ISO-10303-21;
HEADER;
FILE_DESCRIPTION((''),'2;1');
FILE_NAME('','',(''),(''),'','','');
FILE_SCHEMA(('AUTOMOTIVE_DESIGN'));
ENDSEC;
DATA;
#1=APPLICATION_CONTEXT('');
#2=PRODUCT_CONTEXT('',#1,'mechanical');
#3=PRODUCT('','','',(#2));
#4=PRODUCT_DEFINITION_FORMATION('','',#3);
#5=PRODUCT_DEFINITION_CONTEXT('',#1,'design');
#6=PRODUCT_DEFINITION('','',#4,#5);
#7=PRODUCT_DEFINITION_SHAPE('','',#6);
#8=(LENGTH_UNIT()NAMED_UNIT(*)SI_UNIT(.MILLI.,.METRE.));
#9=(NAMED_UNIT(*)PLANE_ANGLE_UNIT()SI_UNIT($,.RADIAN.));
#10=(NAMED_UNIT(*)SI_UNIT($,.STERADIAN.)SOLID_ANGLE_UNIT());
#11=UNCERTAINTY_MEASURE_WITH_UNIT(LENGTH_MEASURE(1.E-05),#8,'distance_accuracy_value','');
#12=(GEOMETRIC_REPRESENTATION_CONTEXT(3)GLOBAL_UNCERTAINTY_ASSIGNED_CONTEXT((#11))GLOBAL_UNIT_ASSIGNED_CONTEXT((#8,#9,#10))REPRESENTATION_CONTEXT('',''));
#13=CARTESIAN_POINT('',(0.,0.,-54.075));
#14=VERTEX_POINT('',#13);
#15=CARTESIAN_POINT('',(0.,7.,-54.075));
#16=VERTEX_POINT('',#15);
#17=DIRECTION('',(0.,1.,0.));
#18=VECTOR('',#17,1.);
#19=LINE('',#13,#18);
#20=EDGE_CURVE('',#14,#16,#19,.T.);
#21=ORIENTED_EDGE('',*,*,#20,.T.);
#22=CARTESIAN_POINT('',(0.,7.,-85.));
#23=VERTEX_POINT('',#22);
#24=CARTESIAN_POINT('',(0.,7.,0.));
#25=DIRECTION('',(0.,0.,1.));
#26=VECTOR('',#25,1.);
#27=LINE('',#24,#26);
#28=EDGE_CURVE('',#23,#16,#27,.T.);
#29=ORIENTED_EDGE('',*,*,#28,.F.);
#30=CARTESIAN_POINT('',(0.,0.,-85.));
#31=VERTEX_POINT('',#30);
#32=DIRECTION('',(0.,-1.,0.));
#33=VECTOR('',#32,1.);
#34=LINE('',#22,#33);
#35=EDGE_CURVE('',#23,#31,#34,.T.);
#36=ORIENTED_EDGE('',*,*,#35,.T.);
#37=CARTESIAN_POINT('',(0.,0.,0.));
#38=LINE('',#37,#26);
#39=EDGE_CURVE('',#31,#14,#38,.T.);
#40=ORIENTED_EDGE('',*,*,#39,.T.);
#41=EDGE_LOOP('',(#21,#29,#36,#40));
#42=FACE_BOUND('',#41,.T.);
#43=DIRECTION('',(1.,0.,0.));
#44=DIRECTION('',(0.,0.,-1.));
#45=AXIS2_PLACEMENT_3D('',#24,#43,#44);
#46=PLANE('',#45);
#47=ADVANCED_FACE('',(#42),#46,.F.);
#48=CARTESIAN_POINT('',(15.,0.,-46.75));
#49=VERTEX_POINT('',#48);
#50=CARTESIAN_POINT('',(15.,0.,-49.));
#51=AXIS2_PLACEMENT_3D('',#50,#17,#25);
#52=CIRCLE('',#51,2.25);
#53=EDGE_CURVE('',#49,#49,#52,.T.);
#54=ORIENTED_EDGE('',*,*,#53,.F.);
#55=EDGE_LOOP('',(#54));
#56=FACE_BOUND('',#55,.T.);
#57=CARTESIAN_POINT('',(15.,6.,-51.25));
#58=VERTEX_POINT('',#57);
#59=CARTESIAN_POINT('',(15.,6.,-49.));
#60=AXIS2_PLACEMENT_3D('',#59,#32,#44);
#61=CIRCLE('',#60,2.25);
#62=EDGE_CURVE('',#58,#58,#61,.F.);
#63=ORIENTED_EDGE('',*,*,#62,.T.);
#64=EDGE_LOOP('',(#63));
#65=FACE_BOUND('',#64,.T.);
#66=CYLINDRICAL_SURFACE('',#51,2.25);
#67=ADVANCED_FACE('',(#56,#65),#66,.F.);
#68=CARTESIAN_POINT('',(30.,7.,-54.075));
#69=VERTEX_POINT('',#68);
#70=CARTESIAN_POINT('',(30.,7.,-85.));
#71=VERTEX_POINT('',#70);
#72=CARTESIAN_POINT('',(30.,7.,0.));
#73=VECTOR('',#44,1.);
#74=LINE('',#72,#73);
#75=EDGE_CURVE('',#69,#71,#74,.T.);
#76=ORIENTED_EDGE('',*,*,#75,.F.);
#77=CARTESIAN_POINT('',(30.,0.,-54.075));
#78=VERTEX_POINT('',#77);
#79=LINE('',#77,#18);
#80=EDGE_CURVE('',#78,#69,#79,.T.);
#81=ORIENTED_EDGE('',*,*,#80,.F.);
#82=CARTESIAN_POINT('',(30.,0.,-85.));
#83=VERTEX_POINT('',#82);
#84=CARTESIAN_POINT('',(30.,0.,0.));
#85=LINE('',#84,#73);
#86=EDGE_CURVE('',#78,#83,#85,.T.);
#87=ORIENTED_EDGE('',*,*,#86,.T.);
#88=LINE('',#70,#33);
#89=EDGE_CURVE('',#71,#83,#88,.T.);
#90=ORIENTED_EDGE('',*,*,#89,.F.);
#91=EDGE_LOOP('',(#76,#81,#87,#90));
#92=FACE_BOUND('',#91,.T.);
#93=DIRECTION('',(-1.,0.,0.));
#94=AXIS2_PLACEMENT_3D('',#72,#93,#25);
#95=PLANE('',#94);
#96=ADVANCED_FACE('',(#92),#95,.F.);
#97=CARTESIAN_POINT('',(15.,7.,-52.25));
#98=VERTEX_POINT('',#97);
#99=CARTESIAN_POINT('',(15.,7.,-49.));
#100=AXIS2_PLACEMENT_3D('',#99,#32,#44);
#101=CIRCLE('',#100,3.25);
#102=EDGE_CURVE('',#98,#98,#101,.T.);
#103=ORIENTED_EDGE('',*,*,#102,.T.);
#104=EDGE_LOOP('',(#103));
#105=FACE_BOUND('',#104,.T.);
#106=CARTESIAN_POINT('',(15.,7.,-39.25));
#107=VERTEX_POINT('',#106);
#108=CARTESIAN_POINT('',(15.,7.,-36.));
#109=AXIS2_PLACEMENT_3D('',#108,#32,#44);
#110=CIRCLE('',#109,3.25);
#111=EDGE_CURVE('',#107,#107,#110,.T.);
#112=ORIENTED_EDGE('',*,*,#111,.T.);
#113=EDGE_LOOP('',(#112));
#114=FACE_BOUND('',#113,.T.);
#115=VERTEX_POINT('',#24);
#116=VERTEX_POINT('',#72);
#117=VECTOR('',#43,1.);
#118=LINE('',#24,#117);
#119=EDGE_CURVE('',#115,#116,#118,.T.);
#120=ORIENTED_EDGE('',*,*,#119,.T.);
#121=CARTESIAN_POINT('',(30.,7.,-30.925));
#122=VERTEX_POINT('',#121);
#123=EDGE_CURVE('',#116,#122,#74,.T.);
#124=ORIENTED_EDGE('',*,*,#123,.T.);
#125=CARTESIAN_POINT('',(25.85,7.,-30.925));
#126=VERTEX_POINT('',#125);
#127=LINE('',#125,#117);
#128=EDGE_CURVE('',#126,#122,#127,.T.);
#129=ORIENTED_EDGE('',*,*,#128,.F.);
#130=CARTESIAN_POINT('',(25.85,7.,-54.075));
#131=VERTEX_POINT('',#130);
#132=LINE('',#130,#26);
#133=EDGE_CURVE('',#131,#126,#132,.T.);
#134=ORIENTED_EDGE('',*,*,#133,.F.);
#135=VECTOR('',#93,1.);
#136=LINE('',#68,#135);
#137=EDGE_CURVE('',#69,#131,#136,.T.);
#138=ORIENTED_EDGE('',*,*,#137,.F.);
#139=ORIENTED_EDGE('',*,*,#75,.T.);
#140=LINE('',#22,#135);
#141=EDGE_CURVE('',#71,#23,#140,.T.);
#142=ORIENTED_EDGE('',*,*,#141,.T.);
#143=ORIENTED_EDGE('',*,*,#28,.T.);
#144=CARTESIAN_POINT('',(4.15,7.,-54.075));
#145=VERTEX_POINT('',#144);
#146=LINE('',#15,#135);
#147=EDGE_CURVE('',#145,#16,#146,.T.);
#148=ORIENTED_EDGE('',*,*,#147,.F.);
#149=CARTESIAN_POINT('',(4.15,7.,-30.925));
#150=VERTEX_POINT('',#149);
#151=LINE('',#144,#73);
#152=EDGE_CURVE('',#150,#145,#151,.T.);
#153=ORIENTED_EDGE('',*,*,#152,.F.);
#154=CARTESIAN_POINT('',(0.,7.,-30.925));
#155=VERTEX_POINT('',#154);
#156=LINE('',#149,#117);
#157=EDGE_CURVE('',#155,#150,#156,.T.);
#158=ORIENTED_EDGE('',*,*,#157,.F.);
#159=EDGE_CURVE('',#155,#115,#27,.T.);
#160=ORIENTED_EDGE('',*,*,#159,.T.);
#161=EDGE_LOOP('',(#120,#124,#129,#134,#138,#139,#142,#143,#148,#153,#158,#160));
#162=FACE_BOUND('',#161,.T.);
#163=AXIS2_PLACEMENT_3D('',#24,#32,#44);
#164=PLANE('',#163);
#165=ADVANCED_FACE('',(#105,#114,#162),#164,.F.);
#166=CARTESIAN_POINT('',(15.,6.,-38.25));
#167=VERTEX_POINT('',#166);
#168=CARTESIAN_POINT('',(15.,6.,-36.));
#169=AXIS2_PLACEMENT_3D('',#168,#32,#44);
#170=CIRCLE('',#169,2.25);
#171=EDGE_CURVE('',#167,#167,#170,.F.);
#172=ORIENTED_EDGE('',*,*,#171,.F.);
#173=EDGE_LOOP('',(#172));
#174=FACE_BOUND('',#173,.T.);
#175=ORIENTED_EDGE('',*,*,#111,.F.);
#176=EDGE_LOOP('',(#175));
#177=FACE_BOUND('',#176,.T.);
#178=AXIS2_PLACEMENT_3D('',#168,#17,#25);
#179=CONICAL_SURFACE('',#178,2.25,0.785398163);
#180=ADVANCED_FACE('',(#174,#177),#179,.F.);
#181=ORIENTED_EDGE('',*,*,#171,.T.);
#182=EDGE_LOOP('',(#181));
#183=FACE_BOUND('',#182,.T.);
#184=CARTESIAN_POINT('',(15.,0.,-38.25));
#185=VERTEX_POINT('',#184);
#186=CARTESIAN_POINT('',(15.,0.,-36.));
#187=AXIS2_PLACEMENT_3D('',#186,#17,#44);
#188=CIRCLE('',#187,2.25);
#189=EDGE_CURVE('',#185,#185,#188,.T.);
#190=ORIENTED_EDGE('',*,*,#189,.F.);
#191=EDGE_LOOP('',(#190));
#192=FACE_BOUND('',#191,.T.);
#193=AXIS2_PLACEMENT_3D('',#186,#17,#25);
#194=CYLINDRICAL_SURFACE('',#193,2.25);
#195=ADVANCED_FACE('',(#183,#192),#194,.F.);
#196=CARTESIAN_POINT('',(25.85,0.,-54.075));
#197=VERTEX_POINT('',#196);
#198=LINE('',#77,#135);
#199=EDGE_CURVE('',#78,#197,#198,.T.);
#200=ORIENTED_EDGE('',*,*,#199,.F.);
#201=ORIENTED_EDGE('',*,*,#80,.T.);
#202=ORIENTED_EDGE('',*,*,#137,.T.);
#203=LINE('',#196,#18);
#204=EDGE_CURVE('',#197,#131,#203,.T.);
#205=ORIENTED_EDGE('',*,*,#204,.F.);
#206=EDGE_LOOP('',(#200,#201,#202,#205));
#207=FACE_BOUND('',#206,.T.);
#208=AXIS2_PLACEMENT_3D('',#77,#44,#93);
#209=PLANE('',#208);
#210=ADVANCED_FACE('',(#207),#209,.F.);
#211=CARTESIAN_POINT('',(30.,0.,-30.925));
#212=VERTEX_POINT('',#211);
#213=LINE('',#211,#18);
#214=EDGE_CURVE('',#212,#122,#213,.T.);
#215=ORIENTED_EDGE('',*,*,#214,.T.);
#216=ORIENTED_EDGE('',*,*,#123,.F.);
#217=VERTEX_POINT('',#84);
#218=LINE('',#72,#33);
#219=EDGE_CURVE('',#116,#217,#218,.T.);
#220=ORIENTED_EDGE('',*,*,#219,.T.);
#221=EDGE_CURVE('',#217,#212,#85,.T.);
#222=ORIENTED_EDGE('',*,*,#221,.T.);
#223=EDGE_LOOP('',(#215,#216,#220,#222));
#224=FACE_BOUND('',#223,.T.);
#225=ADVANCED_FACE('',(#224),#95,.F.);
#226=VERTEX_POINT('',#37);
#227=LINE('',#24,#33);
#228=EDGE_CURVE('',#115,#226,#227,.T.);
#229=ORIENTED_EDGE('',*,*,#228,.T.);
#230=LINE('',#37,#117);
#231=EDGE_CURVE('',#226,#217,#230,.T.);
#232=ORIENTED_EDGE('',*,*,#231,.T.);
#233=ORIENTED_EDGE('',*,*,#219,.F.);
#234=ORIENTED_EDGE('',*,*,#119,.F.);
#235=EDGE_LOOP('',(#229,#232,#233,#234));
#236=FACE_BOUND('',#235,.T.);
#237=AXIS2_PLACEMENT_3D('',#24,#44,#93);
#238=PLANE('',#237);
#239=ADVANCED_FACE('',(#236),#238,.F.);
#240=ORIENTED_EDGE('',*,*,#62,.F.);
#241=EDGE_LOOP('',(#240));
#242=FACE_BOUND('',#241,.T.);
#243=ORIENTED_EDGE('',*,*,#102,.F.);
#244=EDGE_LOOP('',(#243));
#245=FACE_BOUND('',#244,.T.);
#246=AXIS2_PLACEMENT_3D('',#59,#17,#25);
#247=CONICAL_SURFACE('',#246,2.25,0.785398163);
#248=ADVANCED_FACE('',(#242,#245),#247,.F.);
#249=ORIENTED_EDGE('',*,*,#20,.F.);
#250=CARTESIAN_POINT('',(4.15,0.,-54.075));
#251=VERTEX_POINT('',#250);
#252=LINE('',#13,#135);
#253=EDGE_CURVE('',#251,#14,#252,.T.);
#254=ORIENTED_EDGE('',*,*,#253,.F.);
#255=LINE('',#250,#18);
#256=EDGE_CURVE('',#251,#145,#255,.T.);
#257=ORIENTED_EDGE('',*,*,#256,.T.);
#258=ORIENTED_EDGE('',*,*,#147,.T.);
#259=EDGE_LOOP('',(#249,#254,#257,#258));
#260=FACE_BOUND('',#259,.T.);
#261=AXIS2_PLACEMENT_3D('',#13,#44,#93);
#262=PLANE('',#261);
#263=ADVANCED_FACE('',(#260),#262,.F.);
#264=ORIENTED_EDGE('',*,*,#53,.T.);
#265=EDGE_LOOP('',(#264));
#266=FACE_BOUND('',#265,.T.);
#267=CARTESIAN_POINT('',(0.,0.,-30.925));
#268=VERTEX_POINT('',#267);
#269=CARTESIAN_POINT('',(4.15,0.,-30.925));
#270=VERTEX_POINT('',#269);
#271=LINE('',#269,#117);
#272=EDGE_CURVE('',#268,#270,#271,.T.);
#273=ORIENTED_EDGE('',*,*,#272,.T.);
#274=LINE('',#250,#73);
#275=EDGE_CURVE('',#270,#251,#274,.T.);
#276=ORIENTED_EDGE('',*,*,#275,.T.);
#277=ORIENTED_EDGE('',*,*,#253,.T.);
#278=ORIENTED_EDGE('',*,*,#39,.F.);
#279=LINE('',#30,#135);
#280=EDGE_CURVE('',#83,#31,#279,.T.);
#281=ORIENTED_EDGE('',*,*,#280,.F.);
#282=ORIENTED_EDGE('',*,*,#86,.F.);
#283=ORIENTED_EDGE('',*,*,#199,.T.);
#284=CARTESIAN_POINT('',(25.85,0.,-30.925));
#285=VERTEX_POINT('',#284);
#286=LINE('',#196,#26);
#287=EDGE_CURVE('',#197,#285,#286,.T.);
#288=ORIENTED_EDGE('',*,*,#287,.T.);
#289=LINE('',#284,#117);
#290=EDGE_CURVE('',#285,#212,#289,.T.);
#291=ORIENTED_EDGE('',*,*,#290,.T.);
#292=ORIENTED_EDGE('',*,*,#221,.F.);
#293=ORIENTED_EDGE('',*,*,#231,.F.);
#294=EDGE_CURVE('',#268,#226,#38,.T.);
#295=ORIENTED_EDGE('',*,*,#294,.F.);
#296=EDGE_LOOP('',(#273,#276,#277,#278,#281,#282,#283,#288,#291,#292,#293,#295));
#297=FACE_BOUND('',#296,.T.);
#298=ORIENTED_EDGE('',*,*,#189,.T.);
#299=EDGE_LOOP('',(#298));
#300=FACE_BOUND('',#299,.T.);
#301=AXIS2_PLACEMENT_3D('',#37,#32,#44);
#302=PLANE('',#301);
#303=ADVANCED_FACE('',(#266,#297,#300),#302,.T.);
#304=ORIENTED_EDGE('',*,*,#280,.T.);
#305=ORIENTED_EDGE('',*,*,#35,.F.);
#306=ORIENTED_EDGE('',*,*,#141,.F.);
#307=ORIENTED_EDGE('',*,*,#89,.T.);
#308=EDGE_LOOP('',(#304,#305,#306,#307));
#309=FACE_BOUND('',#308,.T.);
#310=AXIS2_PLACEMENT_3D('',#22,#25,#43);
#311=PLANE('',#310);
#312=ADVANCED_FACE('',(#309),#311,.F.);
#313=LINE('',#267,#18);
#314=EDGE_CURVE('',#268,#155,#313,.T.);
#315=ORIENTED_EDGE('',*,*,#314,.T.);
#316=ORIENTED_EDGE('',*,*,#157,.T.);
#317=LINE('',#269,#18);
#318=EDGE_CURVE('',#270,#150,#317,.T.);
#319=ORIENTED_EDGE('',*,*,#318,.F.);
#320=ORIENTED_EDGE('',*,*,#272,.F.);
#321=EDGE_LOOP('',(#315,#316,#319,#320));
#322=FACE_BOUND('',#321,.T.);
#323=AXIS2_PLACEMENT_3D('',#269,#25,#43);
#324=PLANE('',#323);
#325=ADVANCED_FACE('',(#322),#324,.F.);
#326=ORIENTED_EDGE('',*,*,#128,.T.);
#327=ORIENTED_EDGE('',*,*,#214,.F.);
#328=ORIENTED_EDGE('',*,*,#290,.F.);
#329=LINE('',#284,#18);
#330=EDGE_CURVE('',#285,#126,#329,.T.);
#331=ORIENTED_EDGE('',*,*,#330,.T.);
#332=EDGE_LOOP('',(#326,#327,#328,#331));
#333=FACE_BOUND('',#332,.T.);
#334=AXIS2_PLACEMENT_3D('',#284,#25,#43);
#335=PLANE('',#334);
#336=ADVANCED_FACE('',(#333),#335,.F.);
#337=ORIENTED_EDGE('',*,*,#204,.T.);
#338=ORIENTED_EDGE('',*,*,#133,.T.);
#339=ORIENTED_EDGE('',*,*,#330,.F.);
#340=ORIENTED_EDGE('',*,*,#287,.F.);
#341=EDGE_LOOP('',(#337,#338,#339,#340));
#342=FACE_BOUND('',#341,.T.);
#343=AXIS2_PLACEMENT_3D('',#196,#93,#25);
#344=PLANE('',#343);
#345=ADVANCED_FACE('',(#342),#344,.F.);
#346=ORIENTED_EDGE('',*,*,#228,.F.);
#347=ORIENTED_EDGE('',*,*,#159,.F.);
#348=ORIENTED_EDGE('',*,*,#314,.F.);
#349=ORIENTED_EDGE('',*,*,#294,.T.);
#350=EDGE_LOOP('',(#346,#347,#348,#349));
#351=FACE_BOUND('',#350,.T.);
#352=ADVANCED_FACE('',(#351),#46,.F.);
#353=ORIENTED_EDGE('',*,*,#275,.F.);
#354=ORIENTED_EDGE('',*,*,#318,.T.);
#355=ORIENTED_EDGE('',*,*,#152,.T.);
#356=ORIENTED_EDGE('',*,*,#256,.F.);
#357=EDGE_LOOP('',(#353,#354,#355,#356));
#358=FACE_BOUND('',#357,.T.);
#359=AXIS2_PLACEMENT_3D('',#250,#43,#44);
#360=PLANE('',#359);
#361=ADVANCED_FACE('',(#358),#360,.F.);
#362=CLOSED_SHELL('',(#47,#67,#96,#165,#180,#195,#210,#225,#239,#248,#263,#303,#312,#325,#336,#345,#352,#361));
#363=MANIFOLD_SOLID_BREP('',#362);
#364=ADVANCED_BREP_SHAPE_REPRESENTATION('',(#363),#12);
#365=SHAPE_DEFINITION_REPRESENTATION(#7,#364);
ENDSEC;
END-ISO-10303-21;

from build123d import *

# Parameters (mm, degrees)
SKETCH1_W           = 30
SKETCH1_H           = 85
BOSS_EXTRUDE1_DEPTH = 7
SKETCH2_W           = 4.15
SKETCH2_H           = 23.15
CUT_EXTRUDE1_DEPTH  = 8
SKETCH3_R           = 2.25
CUT_EXTRUDE2_DEPTH  = 8
CHAMFER1_SIZE       = 1


with BuildPart() as part:
    # Sketch1 → Boss-Extrude1 (new body)
    with BuildSketch(Plane(origin=(0, 0, 0), x_dir=(1, 0, 0), z_dir=(0, 1, 0))):
        with Locations((15, 42.5)):
            Rectangle(SKETCH1_W, SKETCH1_H)
    extrude(amount=BOSS_EXTRUDE1_DEPTH)

    # Sketch2 → Cut-Extrude1 (cut, through all)
    with BuildSketch(Plane(origin=(0, 7, 0), x_dir=(1, 0, 0), z_dir=(0, 1, 0))):
        with Locations((2.075, 42.5)):
            Rectangle(SKETCH2_W, SKETCH2_H)
        with Locations((27.925, 42.5)):
            Rectangle(SKETCH2_W, SKETCH2_H)
    extrude(amount=-CUT_EXTRUDE1_DEPTH, mode=Mode.SUBTRACT)

    # Sketch3 → Cut-Extrude2 (cut, through all)
    with BuildSketch(Plane(origin=(0, 7, 0), x_dir=(1, 0, 0), z_dir=(0, 1, 0))):
        with Locations((15, 49)):
            Circle(SKETCH3_R)
        with Locations((15, 36)):
            Circle(SKETCH3_R)
    extrude(amount=-CUT_EXTRUDE2_DEPTH, mode=Mode.SUBTRACT)

    # Chamfer1
    chamfer1_edges = [part.edges().sort_by_distance(p)[0] for p in [
        (12.75, 7, -49),
        (12.75, 7, -36),
    ]]
    chamfer(chamfer1_edges, length=CHAMFER1_SIZE)


solid = part.part
